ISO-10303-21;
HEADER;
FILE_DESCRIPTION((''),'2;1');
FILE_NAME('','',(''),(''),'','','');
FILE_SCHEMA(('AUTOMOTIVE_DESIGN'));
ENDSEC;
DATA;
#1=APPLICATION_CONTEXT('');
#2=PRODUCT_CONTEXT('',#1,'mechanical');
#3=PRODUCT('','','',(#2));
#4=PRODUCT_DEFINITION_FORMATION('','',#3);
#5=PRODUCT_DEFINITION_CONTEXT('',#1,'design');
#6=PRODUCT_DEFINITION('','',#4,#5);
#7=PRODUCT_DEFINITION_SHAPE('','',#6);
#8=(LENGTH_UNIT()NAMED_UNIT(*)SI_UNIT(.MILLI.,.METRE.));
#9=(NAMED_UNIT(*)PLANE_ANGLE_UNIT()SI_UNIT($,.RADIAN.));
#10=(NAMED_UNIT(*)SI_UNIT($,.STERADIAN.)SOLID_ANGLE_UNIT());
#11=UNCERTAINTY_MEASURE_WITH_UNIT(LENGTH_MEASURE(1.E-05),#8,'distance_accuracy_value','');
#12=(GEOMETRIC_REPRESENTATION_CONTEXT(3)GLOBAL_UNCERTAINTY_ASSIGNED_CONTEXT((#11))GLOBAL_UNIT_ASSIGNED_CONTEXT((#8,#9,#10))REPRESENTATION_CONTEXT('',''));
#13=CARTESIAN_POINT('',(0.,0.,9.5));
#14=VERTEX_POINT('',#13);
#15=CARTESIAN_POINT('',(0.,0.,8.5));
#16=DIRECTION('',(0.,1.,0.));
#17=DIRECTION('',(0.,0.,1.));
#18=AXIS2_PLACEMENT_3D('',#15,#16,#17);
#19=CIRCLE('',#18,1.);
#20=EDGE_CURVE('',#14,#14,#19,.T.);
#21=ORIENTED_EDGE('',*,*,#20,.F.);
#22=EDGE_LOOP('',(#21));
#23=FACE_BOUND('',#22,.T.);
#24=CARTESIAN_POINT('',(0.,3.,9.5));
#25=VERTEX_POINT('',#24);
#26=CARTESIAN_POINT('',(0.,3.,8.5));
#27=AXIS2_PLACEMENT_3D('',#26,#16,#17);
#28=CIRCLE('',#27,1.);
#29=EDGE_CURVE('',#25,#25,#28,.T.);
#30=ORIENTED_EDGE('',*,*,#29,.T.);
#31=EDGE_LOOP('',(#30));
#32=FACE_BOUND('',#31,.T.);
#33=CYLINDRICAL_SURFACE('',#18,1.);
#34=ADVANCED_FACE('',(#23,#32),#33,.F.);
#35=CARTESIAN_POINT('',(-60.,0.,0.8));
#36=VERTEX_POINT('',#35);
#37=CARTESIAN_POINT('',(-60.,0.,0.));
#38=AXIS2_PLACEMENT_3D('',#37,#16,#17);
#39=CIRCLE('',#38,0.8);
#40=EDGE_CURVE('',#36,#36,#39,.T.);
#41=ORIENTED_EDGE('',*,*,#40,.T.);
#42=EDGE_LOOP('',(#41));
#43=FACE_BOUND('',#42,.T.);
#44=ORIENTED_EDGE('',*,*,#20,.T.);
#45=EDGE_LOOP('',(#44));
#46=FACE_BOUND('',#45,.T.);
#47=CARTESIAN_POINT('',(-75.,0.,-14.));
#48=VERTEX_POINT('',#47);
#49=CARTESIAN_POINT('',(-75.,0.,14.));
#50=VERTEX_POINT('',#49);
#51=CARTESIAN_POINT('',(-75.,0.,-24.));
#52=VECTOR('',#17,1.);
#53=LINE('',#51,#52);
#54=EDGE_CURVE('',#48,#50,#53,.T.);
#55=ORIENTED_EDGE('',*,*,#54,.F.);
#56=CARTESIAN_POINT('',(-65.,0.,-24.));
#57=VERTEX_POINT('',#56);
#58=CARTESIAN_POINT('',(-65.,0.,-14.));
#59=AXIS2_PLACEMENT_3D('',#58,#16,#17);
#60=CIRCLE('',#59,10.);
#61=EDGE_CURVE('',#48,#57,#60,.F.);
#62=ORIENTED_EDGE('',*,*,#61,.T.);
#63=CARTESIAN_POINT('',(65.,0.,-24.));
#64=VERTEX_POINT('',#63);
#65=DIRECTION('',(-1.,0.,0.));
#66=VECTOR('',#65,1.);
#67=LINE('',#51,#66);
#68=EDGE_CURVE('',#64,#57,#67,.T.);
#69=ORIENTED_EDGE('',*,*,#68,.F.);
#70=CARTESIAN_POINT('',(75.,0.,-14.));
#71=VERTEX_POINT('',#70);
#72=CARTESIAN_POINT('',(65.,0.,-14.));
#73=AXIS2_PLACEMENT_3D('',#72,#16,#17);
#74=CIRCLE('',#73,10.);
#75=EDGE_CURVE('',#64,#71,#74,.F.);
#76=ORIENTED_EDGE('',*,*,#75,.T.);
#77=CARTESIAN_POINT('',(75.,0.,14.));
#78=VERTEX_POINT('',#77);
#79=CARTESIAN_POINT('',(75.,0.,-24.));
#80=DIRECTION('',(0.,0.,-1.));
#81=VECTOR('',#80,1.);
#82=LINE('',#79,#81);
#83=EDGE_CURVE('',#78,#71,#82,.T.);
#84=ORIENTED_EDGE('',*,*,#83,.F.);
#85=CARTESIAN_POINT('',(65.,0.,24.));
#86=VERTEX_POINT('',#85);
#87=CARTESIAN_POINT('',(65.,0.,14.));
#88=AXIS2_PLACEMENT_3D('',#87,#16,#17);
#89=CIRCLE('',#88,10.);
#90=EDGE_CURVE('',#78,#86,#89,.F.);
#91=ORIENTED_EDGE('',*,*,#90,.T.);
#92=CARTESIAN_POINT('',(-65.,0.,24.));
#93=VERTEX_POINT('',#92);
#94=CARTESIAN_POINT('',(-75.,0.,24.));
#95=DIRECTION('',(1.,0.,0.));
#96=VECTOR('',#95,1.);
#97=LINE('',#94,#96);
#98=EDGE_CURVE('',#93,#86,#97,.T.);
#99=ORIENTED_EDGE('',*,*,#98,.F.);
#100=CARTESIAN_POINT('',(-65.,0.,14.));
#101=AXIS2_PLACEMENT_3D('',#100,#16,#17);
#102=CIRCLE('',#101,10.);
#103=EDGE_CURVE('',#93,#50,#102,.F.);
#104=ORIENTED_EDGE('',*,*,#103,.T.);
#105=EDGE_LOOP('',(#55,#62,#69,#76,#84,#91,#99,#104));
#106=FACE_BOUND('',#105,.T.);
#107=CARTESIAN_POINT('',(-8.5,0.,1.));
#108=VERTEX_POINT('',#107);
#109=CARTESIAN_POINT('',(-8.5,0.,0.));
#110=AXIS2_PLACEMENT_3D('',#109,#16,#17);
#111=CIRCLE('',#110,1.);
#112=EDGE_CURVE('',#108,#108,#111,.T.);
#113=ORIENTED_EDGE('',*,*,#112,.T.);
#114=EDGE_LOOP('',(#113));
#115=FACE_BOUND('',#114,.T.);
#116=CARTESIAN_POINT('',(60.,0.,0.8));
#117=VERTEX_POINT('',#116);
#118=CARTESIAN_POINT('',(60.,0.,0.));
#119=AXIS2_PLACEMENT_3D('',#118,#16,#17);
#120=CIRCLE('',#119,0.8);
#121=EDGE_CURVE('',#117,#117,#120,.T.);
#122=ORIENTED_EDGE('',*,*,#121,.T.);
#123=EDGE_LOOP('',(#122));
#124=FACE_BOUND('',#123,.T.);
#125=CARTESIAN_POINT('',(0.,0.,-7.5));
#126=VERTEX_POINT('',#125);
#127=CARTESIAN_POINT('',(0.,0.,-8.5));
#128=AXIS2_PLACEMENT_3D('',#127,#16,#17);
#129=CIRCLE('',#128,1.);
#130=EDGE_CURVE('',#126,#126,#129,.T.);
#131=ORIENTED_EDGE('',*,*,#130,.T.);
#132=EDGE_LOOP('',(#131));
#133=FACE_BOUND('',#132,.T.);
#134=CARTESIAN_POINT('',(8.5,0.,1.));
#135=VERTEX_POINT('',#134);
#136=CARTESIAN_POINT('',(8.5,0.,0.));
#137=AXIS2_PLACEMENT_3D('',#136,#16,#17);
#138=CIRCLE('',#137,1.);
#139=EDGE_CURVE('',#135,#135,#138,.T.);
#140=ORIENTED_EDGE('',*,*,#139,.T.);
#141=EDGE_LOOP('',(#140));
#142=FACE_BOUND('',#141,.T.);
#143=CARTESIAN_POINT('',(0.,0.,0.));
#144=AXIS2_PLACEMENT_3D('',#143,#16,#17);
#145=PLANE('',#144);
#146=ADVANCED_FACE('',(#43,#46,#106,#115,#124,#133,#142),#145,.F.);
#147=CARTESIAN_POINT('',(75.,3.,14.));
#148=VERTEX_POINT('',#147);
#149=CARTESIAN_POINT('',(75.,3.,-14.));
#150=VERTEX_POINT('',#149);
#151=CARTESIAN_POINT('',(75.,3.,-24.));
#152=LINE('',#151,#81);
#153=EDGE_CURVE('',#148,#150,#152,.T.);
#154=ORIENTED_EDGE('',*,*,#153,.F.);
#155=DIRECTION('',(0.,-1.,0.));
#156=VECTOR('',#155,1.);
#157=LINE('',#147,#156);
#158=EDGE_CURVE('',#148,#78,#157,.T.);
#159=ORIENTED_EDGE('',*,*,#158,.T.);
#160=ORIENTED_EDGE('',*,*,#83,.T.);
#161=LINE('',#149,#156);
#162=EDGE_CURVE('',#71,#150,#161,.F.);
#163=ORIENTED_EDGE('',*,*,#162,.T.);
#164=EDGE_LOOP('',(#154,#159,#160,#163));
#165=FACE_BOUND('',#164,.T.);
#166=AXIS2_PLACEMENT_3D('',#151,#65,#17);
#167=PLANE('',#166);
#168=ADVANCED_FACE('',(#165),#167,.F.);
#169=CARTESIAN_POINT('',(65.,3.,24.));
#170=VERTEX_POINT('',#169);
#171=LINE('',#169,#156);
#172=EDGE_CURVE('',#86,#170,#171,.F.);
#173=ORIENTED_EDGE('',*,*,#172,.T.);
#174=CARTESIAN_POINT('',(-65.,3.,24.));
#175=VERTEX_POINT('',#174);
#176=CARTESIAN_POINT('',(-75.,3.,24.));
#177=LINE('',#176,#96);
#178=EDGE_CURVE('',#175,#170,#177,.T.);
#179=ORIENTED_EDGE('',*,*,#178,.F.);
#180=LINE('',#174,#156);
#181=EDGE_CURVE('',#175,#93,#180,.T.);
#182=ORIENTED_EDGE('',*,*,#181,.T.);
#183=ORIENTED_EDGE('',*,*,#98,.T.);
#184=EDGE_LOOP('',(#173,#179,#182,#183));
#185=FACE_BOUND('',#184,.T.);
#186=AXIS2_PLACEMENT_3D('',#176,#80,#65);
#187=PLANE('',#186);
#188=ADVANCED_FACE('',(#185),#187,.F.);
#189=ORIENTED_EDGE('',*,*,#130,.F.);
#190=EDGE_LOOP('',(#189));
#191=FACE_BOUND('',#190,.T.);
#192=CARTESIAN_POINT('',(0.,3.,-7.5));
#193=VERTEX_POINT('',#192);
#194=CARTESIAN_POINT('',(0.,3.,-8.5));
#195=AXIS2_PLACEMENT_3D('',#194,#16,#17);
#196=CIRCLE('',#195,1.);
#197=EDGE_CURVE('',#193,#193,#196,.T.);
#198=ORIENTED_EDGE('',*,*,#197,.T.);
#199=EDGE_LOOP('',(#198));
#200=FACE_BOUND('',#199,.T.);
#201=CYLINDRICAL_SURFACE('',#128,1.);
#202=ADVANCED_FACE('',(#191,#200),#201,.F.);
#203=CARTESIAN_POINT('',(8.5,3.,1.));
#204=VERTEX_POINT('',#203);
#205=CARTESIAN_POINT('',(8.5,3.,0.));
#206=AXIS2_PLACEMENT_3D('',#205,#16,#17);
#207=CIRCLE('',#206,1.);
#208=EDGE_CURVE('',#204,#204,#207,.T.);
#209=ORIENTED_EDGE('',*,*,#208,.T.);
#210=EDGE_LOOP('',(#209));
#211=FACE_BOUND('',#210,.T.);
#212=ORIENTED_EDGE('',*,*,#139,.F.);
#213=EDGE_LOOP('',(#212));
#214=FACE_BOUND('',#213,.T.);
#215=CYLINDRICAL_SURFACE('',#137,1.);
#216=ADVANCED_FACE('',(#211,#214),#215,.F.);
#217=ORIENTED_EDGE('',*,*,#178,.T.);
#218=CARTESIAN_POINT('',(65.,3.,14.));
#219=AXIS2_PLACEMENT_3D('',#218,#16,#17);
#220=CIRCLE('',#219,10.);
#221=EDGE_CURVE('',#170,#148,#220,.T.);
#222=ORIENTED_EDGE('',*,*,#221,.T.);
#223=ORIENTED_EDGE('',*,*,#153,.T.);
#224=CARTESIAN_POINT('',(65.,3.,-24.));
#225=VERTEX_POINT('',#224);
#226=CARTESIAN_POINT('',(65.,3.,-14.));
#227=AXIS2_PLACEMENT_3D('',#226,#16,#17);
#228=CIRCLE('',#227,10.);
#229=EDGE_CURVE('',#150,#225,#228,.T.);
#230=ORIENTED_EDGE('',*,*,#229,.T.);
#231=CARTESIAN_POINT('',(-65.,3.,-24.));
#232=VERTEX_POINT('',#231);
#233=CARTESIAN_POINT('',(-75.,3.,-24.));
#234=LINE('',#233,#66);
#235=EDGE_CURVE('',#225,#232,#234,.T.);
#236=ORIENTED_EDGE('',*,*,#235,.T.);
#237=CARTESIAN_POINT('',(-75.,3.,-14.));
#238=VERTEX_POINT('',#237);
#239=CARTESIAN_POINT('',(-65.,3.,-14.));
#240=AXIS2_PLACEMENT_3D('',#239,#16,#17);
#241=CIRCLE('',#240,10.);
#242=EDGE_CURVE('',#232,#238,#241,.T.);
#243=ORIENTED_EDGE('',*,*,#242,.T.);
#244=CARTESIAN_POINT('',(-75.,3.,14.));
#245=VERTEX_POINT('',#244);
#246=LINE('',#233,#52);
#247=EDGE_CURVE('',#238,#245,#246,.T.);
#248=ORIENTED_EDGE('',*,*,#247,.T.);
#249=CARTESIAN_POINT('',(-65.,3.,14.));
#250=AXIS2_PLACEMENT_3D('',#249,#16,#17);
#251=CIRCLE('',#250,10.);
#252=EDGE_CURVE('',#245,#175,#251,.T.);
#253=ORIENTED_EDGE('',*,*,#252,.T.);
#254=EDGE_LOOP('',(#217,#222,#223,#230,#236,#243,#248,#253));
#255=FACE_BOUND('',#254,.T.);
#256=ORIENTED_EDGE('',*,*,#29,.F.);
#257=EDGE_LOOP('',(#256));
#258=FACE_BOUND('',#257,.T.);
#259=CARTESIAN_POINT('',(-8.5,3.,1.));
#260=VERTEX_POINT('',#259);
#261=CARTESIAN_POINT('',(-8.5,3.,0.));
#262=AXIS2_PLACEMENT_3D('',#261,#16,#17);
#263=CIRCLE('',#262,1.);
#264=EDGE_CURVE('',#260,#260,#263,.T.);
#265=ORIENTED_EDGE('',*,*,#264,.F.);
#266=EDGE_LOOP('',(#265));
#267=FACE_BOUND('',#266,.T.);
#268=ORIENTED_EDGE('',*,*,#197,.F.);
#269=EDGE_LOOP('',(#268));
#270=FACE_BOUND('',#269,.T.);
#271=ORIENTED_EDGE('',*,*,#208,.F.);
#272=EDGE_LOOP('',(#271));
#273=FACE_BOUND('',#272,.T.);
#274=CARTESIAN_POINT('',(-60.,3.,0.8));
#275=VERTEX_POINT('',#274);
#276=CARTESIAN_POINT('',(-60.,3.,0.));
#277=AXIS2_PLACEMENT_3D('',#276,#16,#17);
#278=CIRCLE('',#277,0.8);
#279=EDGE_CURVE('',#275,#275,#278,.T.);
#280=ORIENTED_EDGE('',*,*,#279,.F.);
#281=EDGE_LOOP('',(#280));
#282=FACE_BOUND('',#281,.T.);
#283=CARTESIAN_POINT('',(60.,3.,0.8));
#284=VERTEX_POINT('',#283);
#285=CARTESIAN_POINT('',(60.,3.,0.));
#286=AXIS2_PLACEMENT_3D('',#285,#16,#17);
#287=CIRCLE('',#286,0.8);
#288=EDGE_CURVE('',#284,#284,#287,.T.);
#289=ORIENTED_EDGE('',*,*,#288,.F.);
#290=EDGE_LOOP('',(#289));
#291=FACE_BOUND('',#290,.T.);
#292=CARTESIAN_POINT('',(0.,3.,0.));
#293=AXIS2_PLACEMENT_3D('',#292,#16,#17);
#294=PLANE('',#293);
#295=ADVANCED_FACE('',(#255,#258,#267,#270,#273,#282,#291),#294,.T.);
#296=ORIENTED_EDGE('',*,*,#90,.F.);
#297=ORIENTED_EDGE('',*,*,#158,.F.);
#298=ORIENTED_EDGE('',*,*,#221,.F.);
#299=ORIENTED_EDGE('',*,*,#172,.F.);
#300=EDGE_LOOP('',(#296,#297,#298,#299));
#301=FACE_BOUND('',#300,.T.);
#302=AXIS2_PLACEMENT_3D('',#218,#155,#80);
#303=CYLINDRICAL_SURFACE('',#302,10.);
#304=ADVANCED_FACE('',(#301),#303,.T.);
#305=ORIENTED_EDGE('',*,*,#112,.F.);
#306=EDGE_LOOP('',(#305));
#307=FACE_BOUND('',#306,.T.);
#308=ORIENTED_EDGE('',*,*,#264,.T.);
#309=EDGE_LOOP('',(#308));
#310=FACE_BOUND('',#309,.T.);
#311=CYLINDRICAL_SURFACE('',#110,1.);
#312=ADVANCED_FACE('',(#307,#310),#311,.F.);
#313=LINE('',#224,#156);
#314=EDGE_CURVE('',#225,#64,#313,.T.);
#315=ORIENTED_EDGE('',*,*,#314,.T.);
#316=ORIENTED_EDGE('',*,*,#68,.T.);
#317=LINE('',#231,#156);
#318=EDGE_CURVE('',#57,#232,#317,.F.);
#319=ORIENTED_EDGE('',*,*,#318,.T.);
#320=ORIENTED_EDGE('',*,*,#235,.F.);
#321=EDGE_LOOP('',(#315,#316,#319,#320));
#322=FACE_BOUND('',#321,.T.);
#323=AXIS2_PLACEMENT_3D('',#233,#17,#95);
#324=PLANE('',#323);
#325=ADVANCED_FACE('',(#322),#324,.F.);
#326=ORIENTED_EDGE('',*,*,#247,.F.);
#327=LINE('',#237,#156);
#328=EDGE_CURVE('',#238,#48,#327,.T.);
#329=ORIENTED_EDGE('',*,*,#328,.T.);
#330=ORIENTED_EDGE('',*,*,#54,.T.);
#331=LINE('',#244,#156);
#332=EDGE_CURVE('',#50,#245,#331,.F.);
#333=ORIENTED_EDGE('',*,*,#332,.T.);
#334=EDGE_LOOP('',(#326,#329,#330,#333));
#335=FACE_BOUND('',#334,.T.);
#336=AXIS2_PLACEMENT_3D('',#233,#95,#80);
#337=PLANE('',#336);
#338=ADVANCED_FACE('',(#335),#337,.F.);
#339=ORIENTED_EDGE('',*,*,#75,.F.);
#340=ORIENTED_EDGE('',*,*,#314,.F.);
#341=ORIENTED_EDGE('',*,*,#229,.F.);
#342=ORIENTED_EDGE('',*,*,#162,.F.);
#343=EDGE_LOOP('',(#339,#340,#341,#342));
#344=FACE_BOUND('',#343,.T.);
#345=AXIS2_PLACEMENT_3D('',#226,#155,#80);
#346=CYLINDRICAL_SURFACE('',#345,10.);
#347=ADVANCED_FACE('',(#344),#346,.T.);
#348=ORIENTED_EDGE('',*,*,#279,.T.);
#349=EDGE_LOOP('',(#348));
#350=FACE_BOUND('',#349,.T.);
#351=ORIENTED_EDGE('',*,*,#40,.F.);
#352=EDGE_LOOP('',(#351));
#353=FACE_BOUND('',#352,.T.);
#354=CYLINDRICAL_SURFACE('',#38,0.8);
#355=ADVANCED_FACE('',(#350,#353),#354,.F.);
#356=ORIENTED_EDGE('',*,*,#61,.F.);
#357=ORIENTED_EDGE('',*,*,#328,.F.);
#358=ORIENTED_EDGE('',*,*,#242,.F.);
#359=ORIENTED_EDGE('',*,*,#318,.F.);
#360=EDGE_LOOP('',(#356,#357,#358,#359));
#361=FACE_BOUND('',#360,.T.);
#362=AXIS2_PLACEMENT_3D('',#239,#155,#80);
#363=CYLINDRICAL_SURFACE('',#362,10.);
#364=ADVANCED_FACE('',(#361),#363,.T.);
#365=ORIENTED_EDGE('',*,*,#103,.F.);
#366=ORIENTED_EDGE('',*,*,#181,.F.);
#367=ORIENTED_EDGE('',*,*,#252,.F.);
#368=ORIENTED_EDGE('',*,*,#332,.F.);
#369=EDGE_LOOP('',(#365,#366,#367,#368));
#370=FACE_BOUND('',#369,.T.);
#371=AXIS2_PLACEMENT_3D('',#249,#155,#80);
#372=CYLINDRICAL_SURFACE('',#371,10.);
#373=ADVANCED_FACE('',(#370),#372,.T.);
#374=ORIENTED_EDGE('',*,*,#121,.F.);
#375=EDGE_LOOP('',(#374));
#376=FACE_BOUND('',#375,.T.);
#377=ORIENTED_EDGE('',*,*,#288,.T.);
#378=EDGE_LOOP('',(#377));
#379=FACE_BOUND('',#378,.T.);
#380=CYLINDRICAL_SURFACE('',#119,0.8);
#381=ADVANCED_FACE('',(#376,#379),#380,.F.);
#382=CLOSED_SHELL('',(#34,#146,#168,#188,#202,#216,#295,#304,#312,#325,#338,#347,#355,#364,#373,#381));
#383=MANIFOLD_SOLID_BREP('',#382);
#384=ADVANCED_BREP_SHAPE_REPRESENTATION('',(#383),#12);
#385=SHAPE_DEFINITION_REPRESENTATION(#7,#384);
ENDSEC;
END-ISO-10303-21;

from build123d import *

# Parameters (mm, degrees)
SKETCH1_W           = 150
SKETCH1_H           = 48
BOSS_EXTRUDE1_DEPTH = 3
FILLET1_R           = 10
SKETCH2_R           = 0.8
CUT_EXTRUDE1_DEPTH  = 79.803553219
SKETCH3_R           = 1
CUT_EXTRUDE2_DEPTH  = 79.803553219


with BuildPart() as part:
    # Sketch1 → Boss-Extrude1 (new body)
    with BuildSketch(Plane(origin=(0, 0, 0), x_dir=(1, 0, 0), z_dir=(0, 1, 0))):
        Rectangle(SKETCH1_W, SKETCH1_H)
    extrude(amount=BOSS_EXTRUDE1_DEPTH)

    # Fillet1
    fillet1_edges = [part.edges().sort_by_distance(p)[0] for p in [
        (-75, 1.5, -24),
        (75, 1.5, -24),
        (75, 1.5, 24),
        (-75, 1.5, 24),
    ]]
    fillet(fillet1_edges, radius=FILLET1_R)

    # Sketch2 → Cut-Extrude1 (cut, through all)
    with BuildSketch(Plane(origin=(0, 3, 0), x_dir=(1, 0, 0), z_dir=(0, 1, 0))):
        with Locations(Location((-60, 0, 0), (0, 0, 270))):
            Circle(SKETCH2_R)
        with Locations(Location((60, 0, 0), (0, 0, 270))):
            Circle(SKETCH2_R)
    extrude(amount=-CUT_EXTRUDE1_DEPTH, mode=Mode.SUBTRACT)

    # Sketch3 → Cut-Extrude2 (cut, through all)
    with BuildSketch(Plane(origin=(0, 3, 0), x_dir=(1, 0, 0), z_dir=(0, 1, 0))):
        with Locations(Location((-8.5, 0, 0), (0, 0, 270))):
            Circle(SKETCH3_R)
        with Locations(Location((8.5, 0, 0), (0, 0, 270))):
            Circle(SKETCH3_R)
        with Locations(Location((0, 8.5, 0), (0, 0, 270))):
            Circle(SKETCH3_R)
        with Locations(Location((0, -8.5, 0), (0, 0, 270))):
            Circle(SKETCH3_R)
    extrude(amount=-CUT_EXTRUDE2_DEPTH, mode=Mode.SUBTRACT)


solid = part.part
